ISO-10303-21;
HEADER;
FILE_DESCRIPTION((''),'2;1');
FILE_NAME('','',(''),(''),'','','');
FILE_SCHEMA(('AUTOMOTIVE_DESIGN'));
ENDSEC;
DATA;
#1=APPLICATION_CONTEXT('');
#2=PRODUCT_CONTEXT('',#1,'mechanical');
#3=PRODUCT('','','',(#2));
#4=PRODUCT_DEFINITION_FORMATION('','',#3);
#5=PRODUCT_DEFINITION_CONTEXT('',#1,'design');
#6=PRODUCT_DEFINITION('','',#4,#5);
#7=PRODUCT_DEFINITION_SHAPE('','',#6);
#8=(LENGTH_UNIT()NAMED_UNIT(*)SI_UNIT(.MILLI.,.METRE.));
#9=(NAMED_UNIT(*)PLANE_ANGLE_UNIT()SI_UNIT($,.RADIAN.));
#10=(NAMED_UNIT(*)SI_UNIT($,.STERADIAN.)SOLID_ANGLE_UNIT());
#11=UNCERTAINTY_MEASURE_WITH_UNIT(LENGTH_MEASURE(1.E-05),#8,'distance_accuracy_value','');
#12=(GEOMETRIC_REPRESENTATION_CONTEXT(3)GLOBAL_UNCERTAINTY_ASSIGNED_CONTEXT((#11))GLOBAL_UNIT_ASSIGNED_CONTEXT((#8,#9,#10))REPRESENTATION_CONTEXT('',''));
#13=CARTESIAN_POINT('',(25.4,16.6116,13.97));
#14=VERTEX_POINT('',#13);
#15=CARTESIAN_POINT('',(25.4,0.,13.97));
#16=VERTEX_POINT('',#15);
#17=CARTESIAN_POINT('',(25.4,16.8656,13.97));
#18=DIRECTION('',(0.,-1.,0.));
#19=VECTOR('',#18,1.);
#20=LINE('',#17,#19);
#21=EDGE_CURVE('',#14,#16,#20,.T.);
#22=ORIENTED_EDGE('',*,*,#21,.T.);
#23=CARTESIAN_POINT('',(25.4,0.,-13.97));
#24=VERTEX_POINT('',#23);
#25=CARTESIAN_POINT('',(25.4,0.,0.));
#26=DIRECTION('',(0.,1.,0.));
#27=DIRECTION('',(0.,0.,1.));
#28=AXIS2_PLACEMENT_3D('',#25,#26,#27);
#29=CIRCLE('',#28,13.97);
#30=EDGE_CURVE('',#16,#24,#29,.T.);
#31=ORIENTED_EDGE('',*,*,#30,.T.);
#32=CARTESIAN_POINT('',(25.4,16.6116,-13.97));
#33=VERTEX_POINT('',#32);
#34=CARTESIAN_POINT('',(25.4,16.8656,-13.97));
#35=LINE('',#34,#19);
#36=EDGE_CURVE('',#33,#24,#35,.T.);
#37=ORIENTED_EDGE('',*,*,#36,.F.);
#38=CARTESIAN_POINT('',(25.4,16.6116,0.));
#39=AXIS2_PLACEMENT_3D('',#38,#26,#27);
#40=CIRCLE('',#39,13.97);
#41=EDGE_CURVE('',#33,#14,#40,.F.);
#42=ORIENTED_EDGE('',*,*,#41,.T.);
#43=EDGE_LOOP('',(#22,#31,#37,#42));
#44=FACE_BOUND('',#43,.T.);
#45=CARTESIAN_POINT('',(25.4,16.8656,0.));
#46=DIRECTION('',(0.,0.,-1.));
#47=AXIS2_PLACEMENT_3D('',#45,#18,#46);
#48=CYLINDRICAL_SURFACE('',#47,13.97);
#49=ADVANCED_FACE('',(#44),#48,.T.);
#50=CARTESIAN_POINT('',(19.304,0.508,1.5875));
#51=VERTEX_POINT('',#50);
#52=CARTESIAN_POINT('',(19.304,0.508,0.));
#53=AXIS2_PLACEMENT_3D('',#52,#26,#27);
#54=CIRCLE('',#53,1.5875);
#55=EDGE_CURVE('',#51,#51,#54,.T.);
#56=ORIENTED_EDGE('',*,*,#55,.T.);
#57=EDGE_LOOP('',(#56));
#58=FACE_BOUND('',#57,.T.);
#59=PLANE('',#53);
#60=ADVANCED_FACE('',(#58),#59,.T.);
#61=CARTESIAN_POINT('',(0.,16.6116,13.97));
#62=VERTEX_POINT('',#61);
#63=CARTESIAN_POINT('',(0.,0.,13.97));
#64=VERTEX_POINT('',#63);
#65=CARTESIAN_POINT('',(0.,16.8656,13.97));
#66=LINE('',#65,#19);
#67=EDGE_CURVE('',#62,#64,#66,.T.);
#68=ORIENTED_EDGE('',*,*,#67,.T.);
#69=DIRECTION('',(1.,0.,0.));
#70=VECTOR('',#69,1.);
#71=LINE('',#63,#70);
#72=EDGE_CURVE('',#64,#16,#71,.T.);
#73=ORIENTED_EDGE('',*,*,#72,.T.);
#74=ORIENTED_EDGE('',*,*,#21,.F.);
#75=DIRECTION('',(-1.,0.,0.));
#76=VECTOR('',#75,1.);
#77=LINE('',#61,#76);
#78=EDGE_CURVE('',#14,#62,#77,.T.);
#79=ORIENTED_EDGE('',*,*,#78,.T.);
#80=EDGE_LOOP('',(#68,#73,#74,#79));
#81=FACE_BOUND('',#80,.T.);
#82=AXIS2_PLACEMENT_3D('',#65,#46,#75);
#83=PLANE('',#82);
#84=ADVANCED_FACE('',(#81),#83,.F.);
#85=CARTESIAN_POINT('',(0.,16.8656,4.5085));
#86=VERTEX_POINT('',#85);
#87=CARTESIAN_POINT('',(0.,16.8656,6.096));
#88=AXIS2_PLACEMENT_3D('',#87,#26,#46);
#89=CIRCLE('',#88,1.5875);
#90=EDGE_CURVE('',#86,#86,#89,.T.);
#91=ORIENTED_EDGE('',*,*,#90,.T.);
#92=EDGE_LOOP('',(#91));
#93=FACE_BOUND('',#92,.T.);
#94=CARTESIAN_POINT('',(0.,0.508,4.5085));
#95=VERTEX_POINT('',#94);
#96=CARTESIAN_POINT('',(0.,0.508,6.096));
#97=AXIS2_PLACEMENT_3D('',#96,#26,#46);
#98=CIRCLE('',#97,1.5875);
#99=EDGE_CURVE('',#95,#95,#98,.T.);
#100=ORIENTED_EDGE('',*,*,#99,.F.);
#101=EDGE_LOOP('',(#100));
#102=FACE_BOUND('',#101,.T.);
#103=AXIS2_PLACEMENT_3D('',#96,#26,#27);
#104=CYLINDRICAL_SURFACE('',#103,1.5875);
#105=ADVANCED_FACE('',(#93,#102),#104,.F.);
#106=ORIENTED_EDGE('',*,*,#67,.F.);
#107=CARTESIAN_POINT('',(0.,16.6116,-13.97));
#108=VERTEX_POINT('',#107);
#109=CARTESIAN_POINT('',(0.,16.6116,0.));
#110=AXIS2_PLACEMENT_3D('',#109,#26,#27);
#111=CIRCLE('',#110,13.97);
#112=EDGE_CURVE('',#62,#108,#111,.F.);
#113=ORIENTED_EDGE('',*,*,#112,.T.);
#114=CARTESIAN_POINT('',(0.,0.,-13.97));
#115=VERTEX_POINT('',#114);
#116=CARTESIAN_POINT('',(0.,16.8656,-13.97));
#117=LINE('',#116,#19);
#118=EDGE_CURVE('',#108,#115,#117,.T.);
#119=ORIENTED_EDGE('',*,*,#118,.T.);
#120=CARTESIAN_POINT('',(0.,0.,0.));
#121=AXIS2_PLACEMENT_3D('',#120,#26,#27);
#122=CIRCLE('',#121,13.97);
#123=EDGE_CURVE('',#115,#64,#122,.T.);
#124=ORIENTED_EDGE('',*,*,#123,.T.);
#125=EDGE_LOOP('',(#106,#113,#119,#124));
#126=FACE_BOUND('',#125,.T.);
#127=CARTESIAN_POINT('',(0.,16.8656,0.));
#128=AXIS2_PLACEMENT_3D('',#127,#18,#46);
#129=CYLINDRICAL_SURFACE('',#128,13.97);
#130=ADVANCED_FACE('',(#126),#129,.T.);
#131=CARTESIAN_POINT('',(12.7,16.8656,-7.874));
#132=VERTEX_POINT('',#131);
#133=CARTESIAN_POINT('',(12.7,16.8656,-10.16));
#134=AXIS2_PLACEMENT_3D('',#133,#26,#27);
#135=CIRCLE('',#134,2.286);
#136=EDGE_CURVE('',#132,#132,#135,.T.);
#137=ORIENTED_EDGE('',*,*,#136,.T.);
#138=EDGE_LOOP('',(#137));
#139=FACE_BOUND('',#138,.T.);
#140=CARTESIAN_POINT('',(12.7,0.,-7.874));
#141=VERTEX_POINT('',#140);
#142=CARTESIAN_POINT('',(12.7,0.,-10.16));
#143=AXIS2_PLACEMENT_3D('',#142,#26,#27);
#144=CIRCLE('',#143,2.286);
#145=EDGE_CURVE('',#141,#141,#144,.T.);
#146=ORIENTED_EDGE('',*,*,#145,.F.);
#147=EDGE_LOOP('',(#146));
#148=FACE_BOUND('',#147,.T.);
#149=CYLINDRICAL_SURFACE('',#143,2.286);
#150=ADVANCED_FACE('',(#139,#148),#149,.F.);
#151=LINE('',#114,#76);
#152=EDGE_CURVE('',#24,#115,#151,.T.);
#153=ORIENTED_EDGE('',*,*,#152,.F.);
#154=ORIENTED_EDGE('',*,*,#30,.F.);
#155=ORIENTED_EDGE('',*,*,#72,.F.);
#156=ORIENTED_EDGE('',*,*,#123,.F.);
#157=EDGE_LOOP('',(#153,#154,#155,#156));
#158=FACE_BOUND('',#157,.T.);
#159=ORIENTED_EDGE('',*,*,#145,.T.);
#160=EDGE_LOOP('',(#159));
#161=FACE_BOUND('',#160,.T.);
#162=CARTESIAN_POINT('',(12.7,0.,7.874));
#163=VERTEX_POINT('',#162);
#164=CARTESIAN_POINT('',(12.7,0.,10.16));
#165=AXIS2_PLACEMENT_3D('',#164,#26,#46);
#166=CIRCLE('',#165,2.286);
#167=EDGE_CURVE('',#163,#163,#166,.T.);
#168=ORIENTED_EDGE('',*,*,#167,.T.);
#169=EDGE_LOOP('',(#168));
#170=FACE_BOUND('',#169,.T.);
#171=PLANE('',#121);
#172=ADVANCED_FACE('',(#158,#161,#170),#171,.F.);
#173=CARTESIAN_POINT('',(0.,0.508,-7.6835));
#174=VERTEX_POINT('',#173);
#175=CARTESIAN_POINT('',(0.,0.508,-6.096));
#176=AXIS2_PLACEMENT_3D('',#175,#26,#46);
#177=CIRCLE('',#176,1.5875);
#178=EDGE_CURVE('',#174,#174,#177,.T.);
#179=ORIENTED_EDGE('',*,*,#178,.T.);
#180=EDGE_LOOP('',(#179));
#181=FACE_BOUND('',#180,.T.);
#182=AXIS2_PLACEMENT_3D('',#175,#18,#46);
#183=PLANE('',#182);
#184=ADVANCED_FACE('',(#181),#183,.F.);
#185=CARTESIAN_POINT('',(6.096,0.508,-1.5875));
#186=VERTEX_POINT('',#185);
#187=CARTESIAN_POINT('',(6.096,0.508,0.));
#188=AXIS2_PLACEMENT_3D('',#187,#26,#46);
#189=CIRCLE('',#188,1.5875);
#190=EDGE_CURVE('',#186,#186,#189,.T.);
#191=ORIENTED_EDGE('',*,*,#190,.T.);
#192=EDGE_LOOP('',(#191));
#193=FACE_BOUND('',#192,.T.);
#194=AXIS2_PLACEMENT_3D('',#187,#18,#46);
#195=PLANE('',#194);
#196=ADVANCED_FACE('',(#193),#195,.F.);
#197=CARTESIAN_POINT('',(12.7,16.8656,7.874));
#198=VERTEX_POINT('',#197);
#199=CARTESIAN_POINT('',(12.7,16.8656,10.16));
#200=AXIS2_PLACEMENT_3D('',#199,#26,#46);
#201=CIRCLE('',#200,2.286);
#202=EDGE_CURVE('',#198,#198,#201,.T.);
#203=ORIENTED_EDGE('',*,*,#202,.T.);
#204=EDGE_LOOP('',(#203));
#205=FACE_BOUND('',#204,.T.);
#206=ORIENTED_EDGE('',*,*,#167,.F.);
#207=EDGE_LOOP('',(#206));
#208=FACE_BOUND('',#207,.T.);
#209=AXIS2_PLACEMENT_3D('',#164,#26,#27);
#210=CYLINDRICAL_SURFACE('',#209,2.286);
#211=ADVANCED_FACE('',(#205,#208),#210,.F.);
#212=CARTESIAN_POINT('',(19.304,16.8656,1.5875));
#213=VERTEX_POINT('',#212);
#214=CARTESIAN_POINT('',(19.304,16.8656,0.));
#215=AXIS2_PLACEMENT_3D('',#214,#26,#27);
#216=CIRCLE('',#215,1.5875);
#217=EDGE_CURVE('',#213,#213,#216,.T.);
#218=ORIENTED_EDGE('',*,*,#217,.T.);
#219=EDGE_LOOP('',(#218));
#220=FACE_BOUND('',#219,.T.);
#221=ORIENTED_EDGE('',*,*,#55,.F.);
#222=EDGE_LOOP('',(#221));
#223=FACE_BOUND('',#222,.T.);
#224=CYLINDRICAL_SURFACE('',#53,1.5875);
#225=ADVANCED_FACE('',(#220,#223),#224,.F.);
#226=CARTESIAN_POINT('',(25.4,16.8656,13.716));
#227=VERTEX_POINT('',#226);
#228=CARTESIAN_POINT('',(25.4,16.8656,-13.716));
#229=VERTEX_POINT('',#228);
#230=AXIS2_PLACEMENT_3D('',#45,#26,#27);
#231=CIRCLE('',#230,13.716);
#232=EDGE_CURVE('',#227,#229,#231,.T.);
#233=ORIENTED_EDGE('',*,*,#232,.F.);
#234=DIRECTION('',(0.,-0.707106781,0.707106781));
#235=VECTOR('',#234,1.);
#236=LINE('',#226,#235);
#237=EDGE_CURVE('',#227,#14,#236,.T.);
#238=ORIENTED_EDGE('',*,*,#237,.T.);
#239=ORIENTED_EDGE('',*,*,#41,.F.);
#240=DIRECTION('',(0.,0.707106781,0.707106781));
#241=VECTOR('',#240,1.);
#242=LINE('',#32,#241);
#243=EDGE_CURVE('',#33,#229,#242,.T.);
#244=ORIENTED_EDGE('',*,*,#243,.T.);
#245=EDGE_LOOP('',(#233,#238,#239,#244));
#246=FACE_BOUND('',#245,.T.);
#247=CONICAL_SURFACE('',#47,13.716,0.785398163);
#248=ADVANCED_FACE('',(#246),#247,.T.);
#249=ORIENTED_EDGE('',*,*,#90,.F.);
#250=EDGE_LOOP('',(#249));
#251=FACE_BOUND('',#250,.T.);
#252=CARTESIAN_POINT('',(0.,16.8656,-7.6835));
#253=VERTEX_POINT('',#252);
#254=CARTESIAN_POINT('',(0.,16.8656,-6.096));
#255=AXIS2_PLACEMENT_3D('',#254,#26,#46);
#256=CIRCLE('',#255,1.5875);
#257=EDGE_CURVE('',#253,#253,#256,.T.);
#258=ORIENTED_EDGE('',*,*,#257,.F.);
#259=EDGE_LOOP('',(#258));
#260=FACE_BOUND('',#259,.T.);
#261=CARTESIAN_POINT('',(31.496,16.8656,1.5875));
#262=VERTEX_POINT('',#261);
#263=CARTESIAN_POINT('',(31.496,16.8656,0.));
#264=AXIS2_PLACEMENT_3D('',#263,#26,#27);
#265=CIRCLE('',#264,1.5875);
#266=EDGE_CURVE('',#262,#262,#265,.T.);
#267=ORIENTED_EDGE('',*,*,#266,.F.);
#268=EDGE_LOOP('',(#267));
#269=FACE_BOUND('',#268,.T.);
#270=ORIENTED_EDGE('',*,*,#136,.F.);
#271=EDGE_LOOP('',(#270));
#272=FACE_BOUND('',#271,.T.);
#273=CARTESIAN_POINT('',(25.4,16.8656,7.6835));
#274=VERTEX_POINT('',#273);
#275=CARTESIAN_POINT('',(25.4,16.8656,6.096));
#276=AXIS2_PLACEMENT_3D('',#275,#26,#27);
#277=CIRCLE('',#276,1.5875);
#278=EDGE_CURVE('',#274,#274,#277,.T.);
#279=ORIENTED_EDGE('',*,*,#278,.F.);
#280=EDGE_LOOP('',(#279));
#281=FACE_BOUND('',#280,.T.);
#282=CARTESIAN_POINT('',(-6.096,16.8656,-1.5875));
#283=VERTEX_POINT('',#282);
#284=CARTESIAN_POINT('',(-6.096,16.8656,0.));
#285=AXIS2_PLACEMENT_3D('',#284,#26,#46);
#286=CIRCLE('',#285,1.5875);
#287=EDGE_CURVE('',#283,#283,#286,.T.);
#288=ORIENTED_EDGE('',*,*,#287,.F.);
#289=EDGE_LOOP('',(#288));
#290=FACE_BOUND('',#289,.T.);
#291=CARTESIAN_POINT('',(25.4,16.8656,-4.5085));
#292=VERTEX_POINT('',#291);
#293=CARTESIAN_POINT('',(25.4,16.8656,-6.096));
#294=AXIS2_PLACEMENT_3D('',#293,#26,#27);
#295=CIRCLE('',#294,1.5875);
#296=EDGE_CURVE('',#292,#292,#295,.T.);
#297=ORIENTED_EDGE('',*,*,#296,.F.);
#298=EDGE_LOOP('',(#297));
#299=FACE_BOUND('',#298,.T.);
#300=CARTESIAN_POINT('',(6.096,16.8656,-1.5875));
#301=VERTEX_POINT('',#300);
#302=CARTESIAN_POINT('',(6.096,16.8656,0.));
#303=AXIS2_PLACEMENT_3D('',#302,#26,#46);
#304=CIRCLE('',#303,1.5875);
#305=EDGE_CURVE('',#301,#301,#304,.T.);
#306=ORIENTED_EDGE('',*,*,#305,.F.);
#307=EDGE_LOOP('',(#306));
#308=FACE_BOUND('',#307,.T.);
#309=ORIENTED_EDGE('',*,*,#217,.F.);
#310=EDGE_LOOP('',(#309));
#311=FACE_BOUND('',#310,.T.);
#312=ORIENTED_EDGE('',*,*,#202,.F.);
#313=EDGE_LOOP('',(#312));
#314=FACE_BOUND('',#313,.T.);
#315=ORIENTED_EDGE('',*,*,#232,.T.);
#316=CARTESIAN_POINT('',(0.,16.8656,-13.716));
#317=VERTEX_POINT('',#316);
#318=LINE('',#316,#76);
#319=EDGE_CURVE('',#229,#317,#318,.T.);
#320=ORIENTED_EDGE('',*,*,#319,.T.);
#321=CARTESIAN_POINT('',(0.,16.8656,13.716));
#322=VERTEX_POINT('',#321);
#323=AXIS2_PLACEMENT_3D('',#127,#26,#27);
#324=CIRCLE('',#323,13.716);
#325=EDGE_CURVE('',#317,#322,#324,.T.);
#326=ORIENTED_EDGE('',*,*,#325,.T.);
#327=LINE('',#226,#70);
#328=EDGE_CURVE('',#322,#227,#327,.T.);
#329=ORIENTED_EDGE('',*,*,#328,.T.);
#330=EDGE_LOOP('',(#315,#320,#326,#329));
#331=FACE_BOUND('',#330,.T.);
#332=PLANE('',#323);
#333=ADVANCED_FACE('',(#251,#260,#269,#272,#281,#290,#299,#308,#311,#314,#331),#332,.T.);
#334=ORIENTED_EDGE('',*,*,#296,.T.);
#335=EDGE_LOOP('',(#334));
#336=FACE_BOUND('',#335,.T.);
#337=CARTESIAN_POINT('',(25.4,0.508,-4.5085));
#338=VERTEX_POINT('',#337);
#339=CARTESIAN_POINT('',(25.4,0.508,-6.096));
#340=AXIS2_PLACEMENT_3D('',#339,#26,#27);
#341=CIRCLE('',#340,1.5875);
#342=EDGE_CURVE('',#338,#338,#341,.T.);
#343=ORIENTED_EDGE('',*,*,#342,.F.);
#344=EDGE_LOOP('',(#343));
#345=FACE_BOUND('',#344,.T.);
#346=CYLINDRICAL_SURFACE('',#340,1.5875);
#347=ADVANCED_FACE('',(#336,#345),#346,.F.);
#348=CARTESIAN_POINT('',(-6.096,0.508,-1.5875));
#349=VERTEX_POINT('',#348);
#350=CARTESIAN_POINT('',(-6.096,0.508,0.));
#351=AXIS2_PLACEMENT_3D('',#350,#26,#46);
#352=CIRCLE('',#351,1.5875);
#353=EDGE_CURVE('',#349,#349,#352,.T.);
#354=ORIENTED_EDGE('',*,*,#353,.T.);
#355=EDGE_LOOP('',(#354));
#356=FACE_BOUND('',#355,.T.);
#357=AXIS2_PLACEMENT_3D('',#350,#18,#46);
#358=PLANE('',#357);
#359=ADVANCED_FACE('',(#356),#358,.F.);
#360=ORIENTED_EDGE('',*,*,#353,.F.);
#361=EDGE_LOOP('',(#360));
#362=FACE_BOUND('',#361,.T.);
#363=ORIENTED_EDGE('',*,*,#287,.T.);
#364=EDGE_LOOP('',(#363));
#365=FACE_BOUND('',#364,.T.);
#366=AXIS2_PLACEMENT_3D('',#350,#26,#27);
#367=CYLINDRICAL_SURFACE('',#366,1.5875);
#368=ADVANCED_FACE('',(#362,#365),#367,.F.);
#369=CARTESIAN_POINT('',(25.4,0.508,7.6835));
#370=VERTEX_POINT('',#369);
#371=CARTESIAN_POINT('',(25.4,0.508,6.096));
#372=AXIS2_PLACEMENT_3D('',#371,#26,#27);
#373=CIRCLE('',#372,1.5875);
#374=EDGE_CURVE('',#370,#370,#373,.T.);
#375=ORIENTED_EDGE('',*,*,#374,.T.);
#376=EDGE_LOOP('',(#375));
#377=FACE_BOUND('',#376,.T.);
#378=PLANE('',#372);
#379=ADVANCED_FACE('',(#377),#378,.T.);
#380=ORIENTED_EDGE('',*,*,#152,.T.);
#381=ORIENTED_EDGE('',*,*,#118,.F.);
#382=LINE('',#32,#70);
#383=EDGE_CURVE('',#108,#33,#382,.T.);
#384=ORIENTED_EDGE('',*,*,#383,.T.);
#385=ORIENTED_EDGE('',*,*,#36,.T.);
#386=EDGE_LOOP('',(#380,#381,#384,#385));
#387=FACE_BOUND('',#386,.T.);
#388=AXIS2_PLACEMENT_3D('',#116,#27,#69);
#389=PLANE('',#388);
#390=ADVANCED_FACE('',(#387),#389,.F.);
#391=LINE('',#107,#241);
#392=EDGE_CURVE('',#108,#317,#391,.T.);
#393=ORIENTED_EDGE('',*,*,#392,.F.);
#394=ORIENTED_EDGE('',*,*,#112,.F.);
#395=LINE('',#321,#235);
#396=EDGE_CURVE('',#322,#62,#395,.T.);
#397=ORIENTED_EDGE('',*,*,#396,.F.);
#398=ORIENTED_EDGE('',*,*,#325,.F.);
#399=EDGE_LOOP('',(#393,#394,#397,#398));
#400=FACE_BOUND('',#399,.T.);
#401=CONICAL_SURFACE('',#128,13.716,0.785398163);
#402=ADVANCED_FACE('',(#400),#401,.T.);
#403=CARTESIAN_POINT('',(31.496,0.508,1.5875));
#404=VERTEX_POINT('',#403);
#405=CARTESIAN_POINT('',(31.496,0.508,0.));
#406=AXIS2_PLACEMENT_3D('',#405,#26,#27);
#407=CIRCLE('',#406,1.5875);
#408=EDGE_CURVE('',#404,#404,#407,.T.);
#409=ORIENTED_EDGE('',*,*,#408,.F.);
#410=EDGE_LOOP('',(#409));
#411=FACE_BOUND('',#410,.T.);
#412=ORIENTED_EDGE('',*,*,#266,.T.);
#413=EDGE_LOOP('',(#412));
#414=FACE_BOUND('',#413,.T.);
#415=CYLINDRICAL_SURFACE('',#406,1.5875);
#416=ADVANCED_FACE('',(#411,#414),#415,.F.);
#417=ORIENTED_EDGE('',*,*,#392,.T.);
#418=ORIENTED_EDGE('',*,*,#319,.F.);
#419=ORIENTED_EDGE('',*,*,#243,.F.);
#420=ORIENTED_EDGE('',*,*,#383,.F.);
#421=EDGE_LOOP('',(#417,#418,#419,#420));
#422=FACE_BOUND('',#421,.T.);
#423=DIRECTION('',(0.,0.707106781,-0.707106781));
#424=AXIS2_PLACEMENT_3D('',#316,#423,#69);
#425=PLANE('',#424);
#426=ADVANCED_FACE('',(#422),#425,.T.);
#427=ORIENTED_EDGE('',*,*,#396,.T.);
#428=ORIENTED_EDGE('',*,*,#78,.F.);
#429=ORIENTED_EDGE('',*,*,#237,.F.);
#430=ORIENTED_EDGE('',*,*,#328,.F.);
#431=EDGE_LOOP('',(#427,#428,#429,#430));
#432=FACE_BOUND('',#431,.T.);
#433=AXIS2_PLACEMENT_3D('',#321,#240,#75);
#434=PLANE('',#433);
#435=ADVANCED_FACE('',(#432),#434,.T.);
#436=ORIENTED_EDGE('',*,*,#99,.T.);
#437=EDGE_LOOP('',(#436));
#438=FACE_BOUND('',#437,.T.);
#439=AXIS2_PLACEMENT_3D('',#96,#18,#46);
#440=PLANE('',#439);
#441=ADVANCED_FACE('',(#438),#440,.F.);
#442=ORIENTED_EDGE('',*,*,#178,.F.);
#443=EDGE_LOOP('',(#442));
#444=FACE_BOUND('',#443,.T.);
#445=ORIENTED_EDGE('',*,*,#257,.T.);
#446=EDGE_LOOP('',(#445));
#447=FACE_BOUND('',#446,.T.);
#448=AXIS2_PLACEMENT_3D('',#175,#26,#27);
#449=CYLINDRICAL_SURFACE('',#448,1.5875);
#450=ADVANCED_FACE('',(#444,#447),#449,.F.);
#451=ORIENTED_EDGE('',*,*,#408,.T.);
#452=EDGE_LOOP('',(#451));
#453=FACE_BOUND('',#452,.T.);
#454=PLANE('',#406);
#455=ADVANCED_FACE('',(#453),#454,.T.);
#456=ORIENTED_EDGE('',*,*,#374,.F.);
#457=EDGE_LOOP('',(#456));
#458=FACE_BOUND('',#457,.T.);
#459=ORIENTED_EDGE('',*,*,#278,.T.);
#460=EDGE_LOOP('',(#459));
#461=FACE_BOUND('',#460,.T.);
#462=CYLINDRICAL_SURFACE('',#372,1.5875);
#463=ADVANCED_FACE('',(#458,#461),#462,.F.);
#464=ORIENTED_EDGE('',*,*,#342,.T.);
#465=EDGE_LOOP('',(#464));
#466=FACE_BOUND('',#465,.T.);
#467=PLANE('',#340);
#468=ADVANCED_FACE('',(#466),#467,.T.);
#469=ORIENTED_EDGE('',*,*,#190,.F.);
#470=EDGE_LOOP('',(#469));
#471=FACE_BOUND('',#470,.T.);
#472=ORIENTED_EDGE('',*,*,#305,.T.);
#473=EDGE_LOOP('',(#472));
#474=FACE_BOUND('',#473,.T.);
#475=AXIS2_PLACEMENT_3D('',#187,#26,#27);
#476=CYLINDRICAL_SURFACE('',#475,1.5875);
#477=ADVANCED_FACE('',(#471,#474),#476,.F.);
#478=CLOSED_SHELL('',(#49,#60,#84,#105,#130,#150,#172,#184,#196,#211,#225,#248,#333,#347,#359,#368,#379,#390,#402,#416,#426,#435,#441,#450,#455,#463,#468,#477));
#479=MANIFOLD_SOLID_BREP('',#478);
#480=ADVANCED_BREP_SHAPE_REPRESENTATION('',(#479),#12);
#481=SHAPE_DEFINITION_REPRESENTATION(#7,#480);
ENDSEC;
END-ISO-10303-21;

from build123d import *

# Parameters (mm, degrees)
BOSS_EXTRUDE1_DEPTH = 16.8656
CHAMFER1_SIZE       = 0.254
SKETCH3_R           = 1.5875
CUT_EXTRUDE1_DEPTH  = 16.3576
SKETCH4_R           = 2.286
CUT_EXTRUDE2_DEPTH  = 17.8656


with BuildPart() as part:
    # Sketch1 → Boss-Extrude1 (new body)
    with BuildSketch(Plane(origin=(0, 0, 0), x_dir=(1, 0, 0), z_dir=(0, 1, 0))):
        with BuildLine():
            Line((0, 13.97), (25.4, 13.97))
            ThreePointArc((25.4, 13.97), (39.37, 0), (25.4, -13.97))
            Line((25.4, -13.97), (0, -13.97))
            ThreePointArc((0, -13.97), (-13.97, 0), (0, 13.97))
        make_face()
    extrude(amount=BOSS_EXTRUDE1_DEPTH)

    # Chamfer1
    chamfer1_edges = [part.edges().sort_by_distance(p)[0] for p in [
        (39.37, 16.8656, 0),
        (12.7, 16.8656, -13.97),
        (-13.97, 16.8656, 0),
        (12.7, 16.8656, 13.97),
    ]]
    chamfer(chamfer1_edges, length=CHAMFER1_SIZE)

    # Sketch3 → Cut-Extrude1 (cut)
    with BuildSketch(Plane(origin=(0, 16.8656, 0), x_dir=(1, 0, 0), z_dir=(0, 1, 0))):
        with Locations((25.4, 6.096)):
            Circle(SKETCH3_R)
        with Locations((31.496, 0)):
            Circle(SKETCH3_R)
        with Locations((25.4, -6.096)):
            Circle(SKETCH3_R)
        with Locations((19.304, 0)):
            Circle(SKETCH3_R)
        with Locations((-6.096, 0)):
            Circle(SKETCH3_R)
        with Locations((6.096, 0)):
            Circle(SKETCH3_R)
        with Locations((0, -6.096)):
            Circle(SKETCH3_R)
        with Locations((0, 6.096)):
            Circle(SKETCH3_R)
    extrude(amount=-CUT_EXTRUDE1_DEPTH, mode=Mode.SUBTRACT)

    # Sketch4 → Cut-Extrude2 (cut, through all)
    with BuildSketch(Plane(origin=(0, 16.8656, 0), x_dir=(1, 0, 0), z_dir=(0, 1, 0))):
        with Locations((12.7, 10.16)):
            Circle(SKETCH4_R)
        with Locations((12.7, -10.16)):
            Circle(SKETCH4_R)
    extrude(amount=-CUT_EXTRUDE2_DEPTH, mode=Mode.SUBTRACT)


solid = part.part
